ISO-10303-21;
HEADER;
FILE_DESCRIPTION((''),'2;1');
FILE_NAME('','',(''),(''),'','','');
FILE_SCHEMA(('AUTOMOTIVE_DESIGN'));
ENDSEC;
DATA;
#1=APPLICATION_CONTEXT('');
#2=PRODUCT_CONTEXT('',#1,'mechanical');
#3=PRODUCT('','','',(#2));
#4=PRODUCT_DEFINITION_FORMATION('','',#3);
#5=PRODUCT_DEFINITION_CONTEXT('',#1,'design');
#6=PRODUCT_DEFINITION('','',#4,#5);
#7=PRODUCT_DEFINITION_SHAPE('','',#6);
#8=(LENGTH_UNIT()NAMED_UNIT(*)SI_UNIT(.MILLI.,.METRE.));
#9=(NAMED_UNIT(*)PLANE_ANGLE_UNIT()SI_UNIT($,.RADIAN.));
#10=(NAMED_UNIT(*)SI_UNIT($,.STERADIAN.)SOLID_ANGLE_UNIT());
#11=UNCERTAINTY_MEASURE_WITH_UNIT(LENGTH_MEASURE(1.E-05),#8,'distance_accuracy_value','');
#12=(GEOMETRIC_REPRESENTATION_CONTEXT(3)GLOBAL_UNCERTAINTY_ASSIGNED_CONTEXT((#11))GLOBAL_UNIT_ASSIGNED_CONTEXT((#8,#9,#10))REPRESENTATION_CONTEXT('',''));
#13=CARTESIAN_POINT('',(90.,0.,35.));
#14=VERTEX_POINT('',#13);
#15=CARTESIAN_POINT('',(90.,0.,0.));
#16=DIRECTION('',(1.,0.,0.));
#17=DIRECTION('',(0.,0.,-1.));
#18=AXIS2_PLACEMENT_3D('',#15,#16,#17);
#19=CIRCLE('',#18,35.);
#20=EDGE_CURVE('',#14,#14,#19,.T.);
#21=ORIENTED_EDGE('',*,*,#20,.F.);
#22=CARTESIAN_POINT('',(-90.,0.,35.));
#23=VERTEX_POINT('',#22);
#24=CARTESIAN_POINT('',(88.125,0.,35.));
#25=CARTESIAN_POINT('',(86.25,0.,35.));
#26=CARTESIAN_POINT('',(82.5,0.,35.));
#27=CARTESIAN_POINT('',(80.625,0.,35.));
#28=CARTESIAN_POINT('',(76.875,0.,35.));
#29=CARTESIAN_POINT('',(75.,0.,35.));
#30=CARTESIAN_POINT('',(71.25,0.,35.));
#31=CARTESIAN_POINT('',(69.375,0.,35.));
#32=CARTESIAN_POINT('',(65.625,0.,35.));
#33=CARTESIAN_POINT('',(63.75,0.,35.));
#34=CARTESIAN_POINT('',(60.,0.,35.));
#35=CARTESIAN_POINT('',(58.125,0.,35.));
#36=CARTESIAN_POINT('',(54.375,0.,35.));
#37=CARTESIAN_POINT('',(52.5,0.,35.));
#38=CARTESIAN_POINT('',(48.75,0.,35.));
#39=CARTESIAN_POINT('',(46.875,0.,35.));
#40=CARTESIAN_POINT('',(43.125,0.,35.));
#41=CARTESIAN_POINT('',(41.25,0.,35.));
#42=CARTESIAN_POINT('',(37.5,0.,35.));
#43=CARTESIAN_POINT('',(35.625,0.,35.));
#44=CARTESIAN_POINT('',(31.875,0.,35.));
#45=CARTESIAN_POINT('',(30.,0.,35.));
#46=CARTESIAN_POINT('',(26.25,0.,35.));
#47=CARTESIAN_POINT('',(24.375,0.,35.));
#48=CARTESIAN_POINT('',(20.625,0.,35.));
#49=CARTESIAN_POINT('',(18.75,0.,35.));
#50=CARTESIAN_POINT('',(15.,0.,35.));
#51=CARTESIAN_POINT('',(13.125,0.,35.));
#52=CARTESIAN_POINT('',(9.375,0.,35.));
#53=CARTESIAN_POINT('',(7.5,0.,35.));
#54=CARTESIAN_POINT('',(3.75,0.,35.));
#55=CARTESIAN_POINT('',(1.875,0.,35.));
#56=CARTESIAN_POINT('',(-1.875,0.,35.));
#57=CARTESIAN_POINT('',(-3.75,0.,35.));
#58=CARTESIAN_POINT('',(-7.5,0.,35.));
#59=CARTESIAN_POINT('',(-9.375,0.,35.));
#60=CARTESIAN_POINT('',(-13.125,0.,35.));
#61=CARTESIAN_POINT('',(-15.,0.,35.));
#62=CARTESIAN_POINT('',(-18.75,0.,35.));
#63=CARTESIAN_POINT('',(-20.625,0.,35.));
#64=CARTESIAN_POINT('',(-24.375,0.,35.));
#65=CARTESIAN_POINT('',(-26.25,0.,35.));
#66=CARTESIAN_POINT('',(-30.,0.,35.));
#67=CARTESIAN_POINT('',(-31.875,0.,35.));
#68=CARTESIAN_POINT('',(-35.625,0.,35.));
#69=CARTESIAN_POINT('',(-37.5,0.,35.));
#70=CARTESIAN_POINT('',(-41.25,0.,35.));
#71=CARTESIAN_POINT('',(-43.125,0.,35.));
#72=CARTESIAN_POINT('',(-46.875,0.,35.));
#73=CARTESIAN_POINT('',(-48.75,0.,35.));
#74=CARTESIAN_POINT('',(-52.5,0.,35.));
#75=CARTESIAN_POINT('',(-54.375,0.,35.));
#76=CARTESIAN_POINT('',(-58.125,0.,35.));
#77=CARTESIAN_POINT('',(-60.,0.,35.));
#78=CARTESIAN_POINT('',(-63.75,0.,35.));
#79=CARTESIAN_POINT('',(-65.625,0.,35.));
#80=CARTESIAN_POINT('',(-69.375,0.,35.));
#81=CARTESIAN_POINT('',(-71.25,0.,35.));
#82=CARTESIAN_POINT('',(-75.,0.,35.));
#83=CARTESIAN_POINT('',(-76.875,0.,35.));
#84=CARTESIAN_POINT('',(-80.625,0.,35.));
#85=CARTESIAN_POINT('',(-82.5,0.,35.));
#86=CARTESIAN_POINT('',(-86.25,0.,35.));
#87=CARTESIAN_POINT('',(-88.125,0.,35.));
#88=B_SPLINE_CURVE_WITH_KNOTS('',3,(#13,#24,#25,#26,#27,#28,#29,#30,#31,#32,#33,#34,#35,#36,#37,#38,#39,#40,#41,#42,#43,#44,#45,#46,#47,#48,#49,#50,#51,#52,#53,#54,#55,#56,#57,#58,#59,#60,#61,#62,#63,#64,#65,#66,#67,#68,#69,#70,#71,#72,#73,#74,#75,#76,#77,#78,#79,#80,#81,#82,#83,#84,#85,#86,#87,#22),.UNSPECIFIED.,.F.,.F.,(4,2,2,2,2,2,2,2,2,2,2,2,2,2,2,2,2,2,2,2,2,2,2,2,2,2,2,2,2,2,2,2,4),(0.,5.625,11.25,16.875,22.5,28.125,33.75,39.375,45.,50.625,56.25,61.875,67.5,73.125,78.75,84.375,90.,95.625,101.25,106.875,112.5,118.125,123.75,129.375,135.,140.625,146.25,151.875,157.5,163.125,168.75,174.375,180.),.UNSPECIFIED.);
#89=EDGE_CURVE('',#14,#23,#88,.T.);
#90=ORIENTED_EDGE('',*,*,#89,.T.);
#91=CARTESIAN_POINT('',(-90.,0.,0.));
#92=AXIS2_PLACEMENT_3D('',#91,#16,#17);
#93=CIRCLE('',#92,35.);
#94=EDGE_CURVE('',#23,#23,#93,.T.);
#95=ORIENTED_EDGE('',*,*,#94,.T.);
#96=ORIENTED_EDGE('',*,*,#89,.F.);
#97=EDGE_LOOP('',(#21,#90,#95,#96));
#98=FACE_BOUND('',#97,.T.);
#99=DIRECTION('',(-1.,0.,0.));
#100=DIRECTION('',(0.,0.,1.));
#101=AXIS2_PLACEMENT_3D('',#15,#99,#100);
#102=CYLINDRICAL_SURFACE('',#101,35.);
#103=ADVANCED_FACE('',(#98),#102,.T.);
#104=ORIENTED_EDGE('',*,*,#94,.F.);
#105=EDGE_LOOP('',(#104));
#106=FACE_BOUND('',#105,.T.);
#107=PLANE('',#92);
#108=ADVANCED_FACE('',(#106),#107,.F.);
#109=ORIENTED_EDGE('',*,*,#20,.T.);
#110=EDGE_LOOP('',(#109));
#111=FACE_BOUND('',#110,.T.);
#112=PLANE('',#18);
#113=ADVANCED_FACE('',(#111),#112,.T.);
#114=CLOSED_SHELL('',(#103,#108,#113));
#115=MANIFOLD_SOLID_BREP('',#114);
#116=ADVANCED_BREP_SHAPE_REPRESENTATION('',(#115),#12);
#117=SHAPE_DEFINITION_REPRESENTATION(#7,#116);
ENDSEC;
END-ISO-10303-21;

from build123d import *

# Parameters (mm, degrees)
SKETCH1_R           = 35
BOSS_EXTRUDE1_DEPTH = 90


with BuildPart() as part:
    # Sketch1 → Boss-Extrude1 (new, symmetric)
    with BuildSketch(Plane(origin=(0, 0, 0), x_dir=(0, 0, -1), z_dir=(1, 0, 0))):
        with Locations(Location((0, 0, 0), (0, 0, 180))):
            Circle(SKETCH1_R)
    extrude(amount=BOSS_EXTRUDE1_DEPTH, both=True)


solid = part.part
